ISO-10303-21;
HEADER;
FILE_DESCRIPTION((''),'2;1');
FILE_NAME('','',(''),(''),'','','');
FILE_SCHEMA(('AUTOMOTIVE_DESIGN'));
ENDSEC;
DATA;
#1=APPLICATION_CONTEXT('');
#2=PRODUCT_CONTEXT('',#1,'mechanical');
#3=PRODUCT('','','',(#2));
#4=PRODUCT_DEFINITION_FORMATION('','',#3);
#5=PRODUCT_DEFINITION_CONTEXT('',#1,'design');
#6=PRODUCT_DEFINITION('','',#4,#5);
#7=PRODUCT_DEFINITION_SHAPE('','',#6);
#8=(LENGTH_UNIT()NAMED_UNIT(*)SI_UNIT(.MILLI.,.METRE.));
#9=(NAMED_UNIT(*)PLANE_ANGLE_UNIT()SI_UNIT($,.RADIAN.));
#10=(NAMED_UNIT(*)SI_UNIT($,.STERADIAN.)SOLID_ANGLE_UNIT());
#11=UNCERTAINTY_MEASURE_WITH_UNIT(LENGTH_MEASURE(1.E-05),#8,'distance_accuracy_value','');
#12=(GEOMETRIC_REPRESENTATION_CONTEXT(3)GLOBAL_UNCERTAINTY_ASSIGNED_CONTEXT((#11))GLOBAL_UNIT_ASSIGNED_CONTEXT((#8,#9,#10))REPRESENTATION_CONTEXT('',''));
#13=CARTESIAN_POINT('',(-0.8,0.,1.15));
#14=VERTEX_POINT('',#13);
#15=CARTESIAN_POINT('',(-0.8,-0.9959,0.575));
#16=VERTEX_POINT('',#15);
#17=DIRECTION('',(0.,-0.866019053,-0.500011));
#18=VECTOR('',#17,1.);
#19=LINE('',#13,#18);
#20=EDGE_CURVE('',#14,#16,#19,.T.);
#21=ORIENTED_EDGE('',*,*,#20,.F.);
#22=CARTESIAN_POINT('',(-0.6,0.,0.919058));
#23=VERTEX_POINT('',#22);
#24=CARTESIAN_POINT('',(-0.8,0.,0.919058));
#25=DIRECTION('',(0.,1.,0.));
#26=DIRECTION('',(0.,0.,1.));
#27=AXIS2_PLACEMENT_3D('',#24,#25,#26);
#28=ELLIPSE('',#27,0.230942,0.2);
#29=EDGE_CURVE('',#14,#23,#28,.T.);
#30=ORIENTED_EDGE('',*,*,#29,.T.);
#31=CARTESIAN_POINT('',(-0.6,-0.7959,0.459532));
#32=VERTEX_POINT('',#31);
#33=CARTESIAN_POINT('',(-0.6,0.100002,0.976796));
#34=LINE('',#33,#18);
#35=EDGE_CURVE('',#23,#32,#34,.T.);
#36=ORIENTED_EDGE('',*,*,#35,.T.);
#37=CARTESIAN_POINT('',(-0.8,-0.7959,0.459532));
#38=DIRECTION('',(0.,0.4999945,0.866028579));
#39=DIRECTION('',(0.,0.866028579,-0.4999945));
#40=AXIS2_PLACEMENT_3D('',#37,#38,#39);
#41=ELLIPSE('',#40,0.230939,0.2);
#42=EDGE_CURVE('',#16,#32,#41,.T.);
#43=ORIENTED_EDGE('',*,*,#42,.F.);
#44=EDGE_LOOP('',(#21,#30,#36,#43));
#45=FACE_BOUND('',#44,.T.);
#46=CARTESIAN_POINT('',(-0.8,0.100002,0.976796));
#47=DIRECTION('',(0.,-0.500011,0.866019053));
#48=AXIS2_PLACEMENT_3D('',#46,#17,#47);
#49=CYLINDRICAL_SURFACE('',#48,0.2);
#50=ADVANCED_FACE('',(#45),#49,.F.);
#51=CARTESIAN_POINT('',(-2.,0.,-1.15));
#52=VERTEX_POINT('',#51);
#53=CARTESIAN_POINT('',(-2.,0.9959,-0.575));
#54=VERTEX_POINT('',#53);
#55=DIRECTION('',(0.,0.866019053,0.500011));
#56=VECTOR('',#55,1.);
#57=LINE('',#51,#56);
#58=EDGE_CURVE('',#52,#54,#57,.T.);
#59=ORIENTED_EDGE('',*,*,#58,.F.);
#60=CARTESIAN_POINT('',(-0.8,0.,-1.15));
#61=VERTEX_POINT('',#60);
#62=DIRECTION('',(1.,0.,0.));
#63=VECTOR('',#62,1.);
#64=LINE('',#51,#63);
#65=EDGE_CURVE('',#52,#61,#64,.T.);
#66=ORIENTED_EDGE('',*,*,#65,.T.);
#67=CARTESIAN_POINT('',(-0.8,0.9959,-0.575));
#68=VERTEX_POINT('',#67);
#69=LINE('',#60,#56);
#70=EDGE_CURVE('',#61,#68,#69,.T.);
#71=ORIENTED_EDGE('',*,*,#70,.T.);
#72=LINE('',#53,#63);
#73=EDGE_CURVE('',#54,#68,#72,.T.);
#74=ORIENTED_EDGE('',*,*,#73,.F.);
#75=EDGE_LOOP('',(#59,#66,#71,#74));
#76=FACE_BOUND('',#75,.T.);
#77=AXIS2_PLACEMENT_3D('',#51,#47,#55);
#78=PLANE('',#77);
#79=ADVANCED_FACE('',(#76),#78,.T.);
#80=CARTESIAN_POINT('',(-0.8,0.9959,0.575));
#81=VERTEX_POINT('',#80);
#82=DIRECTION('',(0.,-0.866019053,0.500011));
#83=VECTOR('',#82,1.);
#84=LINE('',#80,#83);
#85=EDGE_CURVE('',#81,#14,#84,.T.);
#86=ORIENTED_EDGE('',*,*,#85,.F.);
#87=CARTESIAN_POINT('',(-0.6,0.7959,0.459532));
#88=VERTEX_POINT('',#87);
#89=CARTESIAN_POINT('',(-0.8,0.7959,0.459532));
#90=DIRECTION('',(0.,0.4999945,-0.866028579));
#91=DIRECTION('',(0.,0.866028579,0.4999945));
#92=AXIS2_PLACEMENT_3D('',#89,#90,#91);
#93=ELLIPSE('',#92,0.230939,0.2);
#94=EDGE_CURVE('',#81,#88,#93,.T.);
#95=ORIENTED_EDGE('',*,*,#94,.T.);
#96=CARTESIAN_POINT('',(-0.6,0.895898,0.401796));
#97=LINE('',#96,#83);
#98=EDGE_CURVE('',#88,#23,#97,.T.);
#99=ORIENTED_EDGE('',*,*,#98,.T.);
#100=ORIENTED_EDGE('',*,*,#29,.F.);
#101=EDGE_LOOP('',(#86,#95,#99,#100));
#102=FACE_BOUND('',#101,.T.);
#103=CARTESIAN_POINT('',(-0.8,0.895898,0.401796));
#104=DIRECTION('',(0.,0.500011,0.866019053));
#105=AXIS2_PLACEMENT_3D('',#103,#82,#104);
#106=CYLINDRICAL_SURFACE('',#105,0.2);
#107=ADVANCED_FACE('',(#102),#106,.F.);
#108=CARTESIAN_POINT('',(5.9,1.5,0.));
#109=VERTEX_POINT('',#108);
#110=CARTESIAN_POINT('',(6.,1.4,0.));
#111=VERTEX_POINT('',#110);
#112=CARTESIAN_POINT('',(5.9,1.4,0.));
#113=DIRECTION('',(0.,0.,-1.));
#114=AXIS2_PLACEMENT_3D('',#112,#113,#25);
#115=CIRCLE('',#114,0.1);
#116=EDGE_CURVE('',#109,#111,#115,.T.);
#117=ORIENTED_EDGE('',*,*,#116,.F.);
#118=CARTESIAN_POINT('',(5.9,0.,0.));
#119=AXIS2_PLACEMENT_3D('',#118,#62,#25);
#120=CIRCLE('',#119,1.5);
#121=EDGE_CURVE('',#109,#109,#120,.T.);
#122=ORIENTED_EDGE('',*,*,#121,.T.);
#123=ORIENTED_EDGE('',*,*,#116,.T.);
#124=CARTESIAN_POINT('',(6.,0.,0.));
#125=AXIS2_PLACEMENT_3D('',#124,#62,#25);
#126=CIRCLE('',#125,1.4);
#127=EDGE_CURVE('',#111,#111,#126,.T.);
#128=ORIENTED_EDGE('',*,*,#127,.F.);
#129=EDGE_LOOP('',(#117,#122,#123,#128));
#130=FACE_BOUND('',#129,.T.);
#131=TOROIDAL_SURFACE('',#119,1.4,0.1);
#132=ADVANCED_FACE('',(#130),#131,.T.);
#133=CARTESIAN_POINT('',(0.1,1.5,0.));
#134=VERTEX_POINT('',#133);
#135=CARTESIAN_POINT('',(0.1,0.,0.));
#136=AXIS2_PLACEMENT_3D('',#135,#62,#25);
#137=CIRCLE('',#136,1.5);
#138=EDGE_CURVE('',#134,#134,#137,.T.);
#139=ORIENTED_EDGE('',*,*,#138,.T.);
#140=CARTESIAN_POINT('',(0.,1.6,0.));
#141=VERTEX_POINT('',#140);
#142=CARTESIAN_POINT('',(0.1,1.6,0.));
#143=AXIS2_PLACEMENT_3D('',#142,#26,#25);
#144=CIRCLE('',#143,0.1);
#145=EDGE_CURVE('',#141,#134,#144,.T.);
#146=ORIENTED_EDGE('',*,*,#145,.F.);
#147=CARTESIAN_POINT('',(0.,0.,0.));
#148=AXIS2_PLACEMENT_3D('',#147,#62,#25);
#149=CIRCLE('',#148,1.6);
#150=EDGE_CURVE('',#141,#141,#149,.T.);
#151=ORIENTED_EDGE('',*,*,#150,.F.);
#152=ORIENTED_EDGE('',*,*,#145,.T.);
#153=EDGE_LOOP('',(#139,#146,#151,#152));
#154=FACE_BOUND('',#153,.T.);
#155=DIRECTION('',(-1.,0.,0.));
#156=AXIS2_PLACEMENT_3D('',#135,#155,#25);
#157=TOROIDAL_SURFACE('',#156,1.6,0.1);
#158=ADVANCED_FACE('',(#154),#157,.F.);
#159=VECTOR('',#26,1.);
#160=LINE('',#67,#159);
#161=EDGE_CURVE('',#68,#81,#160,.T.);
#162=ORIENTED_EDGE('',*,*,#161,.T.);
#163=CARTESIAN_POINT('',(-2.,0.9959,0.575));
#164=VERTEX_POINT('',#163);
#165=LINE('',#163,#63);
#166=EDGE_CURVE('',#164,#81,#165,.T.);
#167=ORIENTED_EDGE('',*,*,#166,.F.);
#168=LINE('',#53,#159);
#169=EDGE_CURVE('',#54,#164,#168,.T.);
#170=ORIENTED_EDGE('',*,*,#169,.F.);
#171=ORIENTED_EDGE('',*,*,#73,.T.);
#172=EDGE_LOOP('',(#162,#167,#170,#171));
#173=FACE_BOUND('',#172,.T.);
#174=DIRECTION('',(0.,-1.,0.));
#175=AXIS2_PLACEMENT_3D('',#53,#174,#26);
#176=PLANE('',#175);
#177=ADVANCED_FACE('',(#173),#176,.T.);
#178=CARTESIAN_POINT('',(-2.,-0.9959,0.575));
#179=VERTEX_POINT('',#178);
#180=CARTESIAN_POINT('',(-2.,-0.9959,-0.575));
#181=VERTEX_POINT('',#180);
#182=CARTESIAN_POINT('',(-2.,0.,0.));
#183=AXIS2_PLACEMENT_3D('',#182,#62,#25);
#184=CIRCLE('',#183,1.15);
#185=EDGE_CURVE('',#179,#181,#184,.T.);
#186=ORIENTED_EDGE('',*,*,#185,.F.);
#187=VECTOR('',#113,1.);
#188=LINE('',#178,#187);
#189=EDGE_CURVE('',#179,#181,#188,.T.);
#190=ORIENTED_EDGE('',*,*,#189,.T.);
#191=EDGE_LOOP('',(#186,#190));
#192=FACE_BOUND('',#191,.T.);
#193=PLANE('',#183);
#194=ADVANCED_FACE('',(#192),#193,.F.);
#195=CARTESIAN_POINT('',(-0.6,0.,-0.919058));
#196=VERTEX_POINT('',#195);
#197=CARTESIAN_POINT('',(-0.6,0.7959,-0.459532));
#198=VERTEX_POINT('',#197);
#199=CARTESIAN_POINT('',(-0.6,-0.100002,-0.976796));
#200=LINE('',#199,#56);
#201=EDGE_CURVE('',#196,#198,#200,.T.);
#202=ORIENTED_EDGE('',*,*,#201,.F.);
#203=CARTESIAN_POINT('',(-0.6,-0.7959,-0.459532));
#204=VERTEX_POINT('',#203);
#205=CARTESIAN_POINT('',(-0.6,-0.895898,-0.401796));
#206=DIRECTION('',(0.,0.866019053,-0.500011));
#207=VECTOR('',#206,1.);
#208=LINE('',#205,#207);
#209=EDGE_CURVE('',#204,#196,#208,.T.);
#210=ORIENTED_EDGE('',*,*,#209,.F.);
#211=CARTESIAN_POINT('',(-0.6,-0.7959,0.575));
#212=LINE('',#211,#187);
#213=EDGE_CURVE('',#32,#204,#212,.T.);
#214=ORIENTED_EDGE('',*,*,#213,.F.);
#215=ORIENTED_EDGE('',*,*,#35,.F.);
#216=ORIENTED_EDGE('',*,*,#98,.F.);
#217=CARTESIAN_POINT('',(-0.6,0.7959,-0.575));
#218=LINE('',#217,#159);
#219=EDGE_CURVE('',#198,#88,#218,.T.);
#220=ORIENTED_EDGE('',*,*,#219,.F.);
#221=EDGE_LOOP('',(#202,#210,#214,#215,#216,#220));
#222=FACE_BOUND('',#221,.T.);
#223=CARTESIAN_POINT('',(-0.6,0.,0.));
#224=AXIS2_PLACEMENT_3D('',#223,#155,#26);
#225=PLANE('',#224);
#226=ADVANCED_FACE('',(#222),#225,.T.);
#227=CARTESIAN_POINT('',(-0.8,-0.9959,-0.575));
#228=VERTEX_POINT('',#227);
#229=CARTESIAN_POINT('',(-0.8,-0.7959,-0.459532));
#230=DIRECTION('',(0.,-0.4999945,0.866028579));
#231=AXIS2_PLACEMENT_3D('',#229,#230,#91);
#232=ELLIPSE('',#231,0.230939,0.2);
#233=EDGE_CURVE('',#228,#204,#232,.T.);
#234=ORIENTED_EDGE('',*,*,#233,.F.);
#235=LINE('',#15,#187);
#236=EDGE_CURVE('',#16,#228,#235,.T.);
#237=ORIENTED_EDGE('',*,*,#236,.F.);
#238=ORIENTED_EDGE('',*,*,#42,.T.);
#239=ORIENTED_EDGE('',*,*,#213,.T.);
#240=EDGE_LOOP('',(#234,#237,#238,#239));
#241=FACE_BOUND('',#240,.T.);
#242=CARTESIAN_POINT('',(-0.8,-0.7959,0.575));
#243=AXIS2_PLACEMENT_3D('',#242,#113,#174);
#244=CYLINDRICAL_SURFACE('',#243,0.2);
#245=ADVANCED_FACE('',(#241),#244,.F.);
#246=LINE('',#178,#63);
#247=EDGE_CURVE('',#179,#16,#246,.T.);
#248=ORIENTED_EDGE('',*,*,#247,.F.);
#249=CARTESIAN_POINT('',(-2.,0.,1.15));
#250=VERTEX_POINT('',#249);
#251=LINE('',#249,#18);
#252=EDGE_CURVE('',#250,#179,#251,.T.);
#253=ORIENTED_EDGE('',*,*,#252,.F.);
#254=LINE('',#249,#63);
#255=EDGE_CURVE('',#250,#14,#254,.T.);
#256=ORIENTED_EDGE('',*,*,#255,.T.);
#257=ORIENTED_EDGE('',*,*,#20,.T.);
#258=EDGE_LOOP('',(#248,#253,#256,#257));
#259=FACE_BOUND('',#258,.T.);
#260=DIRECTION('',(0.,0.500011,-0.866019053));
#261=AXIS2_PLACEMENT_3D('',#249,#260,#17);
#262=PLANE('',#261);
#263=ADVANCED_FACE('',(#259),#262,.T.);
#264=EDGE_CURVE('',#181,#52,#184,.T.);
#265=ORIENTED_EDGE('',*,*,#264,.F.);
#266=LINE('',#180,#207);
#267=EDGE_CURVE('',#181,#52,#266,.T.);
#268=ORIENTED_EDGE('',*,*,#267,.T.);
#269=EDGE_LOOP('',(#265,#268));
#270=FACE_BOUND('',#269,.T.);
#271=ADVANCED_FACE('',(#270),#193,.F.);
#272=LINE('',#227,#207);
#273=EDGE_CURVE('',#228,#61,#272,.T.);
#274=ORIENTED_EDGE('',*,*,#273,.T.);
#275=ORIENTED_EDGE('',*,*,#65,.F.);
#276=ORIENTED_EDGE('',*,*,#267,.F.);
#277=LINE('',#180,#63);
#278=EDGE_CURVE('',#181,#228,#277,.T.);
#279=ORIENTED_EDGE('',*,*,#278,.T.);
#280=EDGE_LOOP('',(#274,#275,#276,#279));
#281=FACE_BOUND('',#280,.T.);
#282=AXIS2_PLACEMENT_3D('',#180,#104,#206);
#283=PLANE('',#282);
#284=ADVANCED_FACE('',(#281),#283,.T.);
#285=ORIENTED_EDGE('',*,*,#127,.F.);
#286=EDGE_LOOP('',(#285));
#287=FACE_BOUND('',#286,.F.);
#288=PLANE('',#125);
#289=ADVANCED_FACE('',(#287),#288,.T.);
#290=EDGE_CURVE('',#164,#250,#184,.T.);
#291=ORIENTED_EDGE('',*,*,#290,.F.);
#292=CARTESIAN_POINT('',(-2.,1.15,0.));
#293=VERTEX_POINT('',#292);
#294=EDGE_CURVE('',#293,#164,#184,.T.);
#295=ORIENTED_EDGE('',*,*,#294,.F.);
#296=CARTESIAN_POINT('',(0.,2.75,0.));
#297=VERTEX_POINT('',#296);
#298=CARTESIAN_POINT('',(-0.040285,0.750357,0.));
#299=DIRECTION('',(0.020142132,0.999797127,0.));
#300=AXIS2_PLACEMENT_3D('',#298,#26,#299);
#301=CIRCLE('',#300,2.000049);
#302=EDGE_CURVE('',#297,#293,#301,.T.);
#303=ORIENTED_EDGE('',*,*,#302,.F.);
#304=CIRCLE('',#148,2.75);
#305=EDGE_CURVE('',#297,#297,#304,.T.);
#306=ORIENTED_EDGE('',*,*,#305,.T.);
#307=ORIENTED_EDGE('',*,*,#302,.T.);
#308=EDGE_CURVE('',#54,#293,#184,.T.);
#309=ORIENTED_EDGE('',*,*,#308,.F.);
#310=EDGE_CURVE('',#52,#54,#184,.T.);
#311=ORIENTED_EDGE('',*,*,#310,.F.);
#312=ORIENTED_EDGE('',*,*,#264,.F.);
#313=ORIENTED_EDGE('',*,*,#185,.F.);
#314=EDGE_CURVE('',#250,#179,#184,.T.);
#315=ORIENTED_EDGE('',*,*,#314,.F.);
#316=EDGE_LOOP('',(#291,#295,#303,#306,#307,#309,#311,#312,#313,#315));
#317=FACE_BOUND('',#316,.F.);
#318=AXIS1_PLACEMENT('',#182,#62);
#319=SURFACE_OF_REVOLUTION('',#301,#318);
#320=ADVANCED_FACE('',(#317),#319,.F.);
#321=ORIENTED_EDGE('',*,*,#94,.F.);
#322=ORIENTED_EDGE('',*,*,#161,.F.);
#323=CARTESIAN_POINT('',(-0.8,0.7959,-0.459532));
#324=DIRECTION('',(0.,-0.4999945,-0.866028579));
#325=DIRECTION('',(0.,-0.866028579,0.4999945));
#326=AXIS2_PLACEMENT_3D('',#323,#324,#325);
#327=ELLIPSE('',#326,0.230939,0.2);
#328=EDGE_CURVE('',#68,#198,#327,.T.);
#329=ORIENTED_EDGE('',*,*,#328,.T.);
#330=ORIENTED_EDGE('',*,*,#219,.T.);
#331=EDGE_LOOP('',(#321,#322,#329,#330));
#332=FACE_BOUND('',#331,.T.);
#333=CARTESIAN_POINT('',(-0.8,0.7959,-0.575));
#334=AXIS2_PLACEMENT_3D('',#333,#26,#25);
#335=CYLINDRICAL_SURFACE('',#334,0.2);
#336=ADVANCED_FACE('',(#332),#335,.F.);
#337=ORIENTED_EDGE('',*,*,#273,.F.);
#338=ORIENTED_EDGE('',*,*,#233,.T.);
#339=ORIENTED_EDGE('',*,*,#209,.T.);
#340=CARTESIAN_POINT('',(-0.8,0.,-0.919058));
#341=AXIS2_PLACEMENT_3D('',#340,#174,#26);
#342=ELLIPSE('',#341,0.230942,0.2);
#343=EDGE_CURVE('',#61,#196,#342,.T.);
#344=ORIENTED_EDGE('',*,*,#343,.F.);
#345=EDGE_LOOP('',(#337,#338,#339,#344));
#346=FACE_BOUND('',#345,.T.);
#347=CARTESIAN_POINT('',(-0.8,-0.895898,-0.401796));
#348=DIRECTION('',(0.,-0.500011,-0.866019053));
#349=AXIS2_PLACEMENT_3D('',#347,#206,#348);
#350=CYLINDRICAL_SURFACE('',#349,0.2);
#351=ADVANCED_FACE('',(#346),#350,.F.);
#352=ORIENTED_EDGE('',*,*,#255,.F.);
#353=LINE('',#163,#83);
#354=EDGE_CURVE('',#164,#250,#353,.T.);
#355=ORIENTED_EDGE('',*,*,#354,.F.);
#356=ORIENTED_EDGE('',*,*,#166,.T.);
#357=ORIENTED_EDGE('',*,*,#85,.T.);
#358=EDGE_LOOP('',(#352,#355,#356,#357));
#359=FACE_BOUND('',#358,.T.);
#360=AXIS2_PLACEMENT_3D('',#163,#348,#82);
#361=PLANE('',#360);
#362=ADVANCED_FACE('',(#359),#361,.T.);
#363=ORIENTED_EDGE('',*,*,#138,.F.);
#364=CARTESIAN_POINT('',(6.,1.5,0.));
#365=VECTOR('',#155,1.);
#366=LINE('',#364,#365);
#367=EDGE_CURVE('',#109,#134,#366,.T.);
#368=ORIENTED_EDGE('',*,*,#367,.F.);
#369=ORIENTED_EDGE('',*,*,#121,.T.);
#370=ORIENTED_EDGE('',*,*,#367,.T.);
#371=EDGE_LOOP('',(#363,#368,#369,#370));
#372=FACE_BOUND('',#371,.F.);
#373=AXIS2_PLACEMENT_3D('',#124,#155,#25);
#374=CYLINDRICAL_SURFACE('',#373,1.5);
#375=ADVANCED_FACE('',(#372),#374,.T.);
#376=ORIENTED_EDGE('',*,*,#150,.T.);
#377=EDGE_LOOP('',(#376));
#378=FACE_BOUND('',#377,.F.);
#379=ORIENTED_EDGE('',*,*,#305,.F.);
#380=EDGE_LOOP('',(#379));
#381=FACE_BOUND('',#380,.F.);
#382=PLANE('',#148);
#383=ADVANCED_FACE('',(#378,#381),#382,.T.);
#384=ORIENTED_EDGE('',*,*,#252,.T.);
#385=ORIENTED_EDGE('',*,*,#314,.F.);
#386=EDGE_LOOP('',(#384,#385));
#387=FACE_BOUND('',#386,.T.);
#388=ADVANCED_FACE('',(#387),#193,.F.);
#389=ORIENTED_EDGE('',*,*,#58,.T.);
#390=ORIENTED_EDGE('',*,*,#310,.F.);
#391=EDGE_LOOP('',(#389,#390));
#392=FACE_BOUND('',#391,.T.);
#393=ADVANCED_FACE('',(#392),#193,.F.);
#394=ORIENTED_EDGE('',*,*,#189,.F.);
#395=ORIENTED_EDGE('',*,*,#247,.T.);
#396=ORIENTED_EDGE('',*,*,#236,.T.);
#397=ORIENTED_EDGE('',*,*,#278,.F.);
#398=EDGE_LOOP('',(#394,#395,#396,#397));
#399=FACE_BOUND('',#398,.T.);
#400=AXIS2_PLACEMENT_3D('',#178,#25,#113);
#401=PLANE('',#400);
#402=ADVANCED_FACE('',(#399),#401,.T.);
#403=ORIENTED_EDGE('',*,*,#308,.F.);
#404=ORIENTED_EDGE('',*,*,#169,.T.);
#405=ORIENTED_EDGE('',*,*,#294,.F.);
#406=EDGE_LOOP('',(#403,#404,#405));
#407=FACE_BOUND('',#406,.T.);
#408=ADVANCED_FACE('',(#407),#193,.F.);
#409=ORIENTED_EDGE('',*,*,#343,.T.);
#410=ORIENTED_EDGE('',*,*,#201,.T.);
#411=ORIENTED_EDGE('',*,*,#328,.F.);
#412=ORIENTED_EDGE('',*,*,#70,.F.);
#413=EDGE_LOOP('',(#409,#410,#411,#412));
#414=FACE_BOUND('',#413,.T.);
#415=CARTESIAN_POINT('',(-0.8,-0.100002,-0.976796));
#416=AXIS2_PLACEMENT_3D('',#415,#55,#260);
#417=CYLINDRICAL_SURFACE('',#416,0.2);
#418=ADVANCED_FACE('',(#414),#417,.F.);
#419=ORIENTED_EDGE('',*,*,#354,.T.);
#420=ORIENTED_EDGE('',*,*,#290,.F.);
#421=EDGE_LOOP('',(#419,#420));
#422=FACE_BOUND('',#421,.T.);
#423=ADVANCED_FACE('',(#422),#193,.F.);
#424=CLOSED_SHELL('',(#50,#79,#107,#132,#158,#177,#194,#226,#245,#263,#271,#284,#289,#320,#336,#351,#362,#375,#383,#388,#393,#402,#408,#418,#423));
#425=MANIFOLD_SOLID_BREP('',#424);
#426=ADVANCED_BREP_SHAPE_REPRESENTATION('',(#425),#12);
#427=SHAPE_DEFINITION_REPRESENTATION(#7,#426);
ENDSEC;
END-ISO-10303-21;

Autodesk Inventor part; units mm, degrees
ref_plane "YZ Plane" through (0, 0, 0) normal (1, 0, 0) x (0, 1, 0)
ref_plane "XZ Plane" through (0, 0, 0) normal (0, 1, 0) x (-1, 0, 0)
ref_plane "XY Plane" through (0, 0, 0) normal (0, 0, 1) x (1, 0, 0)
sketch "スケッチ1" plane through (0, 0, 0) normal (0, 0, 1) x (1, 0, 0)
  line L0 (0, 0) -> (6, 0)
  line L1 (6, 0) -> (6, 1.5)
  line L2 (6, 1.5) -> (0, 1.5)
  line L3 (0, 1.5) -> (0, 0)
  line L4 (0, 0) -> (0, 2.75)
  line L5 (0, 0) -> (-2, 0)
  line L6 (-2, 0) -> (0, 0)
  line L7 (-2, 0) -> (-2, 1.15)
  arc A0 (0, 2.75) -> (-2, 1.15) centre (-0.0403, 0.7504) ccw
  dimension "d0" = 1.5
  dimension "d1" = 6
  dimension "d3" = 2
  dimension "d4" = 2.75
  dimension "d5" = 1.15
  dimension "d6" = 2
revolve "回転1" add sketch "スケッチ1" angle 360 about axis through (-2, 0, 0) along (1, 0, 0)
thread "ねじ1" size "M3x0.5" class "6g" standard "ANSI Metric M Profile" length 100
sketch "スケッチ2" plane through (-2, 0, 0) normal (-1, 0, 0) x (0, 0, 1)
  circle A0 centre (0, 0) radius 1.15 projected
  line L0 (-0.575, 0.9959) -> (0.575, 0.9959)
  line L1 (0.575, 0.9959) -> (1.15, 0)
  line L2 (1.15, 0) -> (0.575, -0.9959)
  line L3 (0.575, -0.9959) -> (-0.575, -0.9959)
  line L4 (-0.575, -0.9959) -> (-1.15, 0)
  line L5 (-1.15, 0) -> (-0.575, 0.9959)
  dimension "d10" = 1.15
  dimension "d11" = 1.9919
extrude "押し出し1" cut sketch "スケッチ2" against normal blind 1.4 contours L2 L3 L4 L5 L0 L1
fillet "フィレット1" radius 0.2 6 edges at (-0.6, 0.9959, 0) (-0.6, 0.498, 0.8625) (-0.6, 0.498, -0.8625) (-0.6, -0.498, -0.8625) (-0.6, -0.9959, 0) (-0.6, -0.498, 0.8625)
fillet "フィレット2" radius 0.1 1 edges at (0, -1.5, 0)
fillet "フィレット3" radius 0.1 1 edges at (6, -1.5, 0)
properties part number "ネジボタンM3L6" material "鋼"
